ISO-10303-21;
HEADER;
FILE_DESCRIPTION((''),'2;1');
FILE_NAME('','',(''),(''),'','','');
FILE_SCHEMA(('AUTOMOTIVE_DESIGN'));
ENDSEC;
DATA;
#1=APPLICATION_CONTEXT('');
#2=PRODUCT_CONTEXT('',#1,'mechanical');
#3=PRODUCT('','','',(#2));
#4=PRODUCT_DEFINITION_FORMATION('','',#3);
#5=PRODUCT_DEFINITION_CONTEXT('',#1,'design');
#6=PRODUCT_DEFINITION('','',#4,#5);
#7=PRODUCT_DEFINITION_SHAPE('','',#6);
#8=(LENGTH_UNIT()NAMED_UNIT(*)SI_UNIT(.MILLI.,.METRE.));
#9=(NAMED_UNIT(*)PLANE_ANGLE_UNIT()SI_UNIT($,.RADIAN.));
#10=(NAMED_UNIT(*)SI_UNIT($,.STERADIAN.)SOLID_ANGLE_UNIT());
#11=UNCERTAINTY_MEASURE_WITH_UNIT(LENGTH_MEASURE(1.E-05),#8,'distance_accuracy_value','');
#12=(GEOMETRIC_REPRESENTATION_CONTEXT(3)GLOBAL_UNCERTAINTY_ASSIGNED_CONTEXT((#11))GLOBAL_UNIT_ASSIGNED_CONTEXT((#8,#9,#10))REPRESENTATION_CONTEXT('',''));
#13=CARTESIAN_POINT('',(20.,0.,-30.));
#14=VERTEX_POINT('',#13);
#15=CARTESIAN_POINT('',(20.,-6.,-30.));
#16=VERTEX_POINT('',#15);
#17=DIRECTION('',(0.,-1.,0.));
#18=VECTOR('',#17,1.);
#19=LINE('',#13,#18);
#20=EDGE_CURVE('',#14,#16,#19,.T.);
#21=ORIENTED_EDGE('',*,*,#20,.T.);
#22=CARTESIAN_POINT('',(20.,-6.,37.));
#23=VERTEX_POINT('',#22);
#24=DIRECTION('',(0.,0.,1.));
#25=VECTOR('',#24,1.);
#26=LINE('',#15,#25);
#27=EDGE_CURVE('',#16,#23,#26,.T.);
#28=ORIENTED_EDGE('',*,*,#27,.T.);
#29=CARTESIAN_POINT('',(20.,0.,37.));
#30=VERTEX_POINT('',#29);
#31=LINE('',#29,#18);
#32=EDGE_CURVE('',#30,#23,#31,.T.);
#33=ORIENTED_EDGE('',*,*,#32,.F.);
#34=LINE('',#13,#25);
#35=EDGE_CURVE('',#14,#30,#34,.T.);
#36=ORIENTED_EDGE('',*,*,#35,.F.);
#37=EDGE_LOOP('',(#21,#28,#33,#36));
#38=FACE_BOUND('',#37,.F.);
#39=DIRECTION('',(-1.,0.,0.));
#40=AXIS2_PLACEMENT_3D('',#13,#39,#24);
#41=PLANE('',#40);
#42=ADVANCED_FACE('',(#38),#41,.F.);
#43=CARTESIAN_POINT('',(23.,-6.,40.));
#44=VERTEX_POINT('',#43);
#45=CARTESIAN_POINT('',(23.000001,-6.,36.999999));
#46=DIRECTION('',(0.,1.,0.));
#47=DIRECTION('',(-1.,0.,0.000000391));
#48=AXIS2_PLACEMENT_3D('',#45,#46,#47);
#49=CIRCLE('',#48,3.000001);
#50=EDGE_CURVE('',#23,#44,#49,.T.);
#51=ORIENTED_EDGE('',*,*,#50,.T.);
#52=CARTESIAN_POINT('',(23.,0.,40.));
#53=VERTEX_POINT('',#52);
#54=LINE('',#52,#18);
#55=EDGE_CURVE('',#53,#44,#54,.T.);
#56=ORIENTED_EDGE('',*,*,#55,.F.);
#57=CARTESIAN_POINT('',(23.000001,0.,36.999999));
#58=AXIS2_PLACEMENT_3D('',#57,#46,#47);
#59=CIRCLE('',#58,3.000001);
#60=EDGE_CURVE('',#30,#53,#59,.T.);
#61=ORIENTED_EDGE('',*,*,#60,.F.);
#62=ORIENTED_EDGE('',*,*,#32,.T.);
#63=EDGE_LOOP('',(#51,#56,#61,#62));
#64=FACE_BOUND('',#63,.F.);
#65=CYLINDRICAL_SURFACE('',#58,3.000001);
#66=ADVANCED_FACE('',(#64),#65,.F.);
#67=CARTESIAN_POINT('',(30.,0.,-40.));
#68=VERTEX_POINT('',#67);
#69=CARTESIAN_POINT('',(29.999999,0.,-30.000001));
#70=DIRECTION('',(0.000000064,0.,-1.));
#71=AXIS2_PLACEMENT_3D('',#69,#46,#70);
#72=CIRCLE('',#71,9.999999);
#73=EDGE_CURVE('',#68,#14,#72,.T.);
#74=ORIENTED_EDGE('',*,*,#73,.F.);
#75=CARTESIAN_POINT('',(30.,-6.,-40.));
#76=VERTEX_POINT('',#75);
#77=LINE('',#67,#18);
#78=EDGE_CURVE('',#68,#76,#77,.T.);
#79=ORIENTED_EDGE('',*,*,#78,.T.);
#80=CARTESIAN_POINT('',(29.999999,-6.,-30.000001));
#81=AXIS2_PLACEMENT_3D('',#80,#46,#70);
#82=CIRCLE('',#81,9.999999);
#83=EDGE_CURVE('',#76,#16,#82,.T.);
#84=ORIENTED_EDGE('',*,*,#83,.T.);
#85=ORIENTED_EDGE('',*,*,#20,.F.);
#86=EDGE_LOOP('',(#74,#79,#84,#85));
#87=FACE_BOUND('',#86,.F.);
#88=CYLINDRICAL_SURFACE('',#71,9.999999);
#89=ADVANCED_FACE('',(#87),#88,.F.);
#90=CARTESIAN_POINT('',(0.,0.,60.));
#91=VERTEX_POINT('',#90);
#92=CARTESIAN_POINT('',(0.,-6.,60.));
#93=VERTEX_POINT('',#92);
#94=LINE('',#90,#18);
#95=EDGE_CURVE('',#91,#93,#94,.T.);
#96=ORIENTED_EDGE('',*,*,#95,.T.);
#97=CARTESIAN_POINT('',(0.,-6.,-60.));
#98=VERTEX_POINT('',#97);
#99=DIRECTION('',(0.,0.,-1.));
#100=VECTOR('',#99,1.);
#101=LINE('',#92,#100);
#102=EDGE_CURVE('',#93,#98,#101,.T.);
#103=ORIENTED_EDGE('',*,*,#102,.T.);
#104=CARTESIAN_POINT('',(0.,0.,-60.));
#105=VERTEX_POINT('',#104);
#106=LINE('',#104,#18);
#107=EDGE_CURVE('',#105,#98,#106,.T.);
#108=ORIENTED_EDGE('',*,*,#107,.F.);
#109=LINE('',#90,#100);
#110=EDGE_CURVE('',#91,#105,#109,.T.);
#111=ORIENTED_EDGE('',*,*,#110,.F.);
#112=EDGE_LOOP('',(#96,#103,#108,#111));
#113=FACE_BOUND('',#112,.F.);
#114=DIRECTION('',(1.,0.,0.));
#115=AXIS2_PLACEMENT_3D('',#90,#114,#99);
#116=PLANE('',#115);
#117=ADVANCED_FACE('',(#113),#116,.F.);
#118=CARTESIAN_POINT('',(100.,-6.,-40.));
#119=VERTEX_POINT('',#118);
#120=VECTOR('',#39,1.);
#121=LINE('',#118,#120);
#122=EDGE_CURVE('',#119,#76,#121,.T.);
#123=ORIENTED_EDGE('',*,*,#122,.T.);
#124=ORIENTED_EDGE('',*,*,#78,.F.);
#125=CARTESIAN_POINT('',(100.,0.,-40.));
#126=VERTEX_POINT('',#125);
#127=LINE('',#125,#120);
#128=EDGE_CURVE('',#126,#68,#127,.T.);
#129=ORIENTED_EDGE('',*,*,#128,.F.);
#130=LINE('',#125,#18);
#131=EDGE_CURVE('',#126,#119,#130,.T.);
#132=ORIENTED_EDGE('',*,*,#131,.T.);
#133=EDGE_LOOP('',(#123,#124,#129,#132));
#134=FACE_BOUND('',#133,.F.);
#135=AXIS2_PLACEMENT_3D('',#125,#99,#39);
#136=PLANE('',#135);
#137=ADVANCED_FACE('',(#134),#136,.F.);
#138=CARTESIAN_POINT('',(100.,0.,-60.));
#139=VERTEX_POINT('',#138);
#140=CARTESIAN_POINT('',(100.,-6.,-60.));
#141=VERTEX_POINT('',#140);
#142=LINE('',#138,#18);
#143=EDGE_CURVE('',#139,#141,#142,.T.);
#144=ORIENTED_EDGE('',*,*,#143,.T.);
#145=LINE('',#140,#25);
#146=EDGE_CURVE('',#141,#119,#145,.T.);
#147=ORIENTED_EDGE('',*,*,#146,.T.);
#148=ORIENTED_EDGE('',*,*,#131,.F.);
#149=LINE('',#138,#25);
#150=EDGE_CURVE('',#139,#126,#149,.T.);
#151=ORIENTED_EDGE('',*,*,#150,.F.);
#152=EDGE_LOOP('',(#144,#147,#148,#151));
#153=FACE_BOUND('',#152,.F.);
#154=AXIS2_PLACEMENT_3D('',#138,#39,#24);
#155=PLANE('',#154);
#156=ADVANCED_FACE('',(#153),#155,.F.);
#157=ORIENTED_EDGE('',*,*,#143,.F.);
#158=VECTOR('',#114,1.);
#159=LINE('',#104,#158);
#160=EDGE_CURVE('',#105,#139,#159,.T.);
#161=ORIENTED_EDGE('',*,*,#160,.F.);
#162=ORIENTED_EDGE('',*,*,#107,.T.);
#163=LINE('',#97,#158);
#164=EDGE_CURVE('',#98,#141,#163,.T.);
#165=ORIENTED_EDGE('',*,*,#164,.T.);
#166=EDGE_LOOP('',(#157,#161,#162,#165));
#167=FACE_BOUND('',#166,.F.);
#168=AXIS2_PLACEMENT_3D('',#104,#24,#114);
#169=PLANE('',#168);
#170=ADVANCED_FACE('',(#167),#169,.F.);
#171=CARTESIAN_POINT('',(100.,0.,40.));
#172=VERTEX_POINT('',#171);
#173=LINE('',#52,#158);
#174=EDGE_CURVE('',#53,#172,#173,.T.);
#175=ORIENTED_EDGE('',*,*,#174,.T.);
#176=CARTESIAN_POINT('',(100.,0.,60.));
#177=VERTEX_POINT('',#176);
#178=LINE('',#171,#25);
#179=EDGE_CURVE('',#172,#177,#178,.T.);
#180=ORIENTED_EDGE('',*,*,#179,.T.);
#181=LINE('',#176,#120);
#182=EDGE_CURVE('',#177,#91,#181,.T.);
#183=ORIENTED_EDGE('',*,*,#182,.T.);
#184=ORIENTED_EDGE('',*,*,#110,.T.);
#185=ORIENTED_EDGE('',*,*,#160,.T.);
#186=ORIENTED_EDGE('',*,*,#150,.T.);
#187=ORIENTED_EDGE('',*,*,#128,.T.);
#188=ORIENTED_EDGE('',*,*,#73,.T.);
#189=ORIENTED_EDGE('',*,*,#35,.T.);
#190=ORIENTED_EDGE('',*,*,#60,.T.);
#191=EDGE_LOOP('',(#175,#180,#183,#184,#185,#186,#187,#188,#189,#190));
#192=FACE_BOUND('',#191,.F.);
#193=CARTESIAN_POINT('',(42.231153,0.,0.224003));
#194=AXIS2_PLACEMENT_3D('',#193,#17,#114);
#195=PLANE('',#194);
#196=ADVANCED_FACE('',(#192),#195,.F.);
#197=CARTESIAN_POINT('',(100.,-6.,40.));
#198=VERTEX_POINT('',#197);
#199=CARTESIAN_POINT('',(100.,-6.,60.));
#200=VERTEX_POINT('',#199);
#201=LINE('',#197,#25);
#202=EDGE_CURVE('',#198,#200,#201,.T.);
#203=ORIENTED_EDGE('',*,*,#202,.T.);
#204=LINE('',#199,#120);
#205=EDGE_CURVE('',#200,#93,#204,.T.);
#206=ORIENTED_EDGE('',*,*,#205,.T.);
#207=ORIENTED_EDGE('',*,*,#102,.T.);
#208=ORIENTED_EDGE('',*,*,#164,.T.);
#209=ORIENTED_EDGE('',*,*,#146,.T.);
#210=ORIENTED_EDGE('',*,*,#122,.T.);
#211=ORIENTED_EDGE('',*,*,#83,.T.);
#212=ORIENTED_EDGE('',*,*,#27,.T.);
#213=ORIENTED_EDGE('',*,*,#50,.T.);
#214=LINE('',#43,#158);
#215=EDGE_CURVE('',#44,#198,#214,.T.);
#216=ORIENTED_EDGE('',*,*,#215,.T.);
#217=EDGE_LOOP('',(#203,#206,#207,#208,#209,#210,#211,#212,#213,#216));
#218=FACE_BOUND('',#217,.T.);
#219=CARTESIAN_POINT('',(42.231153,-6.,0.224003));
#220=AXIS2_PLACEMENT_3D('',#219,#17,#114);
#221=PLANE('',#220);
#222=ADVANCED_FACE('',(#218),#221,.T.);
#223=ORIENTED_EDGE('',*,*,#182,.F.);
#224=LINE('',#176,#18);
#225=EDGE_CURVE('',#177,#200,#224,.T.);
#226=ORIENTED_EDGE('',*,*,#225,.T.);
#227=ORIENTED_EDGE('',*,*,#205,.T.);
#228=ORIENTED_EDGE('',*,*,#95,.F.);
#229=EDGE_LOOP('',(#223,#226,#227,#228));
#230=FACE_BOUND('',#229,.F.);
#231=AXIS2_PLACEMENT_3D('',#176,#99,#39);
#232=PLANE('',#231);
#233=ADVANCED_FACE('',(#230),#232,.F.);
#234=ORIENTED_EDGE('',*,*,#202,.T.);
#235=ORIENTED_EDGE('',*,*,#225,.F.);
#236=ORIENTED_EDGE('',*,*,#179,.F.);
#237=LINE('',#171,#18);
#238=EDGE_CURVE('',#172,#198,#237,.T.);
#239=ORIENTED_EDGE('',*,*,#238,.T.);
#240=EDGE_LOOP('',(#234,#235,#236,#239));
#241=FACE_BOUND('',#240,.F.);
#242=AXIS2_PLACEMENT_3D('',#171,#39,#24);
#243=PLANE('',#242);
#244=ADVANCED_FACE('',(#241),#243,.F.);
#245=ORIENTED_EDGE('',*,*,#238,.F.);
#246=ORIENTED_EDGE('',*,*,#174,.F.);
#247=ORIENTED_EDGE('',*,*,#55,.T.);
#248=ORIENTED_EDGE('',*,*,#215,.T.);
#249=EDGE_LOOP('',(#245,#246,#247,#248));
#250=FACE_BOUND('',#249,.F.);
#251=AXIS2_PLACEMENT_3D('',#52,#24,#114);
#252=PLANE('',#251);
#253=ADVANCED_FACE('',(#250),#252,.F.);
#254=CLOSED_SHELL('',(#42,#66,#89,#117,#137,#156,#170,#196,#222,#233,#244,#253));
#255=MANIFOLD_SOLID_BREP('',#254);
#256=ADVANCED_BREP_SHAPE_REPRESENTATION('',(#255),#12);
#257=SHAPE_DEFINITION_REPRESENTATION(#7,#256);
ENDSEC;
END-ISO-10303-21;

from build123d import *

# Parameters (mm, degrees)
F1_DEPTH = 6


with BuildPart() as f1:
    # F0 (on Front) → F1 (new body)
    with BuildSketch(Plane.XZ):
        with BuildLine():
            Line((100, 60), (0, 60))
            Line((0, 60), (0, -60))
            Line((0, -60), (100, -60))
            Line((100, -60), (100, -40))
            Line((100, -40), (30, -40))
            ThreePointArc((30, -40), (22.928932, -37.071068), (20, -30))
            Line((20, -30), (20, 37))
            ThreePointArc((20, 37), (20.87868, 39.12132), (23, 40))
            Line((23, 40), (100, 40))
            Line((100, 40), (100, 60))
        make_face()
    extrude(amount=F1_DEPTH)


solid = f1.part
